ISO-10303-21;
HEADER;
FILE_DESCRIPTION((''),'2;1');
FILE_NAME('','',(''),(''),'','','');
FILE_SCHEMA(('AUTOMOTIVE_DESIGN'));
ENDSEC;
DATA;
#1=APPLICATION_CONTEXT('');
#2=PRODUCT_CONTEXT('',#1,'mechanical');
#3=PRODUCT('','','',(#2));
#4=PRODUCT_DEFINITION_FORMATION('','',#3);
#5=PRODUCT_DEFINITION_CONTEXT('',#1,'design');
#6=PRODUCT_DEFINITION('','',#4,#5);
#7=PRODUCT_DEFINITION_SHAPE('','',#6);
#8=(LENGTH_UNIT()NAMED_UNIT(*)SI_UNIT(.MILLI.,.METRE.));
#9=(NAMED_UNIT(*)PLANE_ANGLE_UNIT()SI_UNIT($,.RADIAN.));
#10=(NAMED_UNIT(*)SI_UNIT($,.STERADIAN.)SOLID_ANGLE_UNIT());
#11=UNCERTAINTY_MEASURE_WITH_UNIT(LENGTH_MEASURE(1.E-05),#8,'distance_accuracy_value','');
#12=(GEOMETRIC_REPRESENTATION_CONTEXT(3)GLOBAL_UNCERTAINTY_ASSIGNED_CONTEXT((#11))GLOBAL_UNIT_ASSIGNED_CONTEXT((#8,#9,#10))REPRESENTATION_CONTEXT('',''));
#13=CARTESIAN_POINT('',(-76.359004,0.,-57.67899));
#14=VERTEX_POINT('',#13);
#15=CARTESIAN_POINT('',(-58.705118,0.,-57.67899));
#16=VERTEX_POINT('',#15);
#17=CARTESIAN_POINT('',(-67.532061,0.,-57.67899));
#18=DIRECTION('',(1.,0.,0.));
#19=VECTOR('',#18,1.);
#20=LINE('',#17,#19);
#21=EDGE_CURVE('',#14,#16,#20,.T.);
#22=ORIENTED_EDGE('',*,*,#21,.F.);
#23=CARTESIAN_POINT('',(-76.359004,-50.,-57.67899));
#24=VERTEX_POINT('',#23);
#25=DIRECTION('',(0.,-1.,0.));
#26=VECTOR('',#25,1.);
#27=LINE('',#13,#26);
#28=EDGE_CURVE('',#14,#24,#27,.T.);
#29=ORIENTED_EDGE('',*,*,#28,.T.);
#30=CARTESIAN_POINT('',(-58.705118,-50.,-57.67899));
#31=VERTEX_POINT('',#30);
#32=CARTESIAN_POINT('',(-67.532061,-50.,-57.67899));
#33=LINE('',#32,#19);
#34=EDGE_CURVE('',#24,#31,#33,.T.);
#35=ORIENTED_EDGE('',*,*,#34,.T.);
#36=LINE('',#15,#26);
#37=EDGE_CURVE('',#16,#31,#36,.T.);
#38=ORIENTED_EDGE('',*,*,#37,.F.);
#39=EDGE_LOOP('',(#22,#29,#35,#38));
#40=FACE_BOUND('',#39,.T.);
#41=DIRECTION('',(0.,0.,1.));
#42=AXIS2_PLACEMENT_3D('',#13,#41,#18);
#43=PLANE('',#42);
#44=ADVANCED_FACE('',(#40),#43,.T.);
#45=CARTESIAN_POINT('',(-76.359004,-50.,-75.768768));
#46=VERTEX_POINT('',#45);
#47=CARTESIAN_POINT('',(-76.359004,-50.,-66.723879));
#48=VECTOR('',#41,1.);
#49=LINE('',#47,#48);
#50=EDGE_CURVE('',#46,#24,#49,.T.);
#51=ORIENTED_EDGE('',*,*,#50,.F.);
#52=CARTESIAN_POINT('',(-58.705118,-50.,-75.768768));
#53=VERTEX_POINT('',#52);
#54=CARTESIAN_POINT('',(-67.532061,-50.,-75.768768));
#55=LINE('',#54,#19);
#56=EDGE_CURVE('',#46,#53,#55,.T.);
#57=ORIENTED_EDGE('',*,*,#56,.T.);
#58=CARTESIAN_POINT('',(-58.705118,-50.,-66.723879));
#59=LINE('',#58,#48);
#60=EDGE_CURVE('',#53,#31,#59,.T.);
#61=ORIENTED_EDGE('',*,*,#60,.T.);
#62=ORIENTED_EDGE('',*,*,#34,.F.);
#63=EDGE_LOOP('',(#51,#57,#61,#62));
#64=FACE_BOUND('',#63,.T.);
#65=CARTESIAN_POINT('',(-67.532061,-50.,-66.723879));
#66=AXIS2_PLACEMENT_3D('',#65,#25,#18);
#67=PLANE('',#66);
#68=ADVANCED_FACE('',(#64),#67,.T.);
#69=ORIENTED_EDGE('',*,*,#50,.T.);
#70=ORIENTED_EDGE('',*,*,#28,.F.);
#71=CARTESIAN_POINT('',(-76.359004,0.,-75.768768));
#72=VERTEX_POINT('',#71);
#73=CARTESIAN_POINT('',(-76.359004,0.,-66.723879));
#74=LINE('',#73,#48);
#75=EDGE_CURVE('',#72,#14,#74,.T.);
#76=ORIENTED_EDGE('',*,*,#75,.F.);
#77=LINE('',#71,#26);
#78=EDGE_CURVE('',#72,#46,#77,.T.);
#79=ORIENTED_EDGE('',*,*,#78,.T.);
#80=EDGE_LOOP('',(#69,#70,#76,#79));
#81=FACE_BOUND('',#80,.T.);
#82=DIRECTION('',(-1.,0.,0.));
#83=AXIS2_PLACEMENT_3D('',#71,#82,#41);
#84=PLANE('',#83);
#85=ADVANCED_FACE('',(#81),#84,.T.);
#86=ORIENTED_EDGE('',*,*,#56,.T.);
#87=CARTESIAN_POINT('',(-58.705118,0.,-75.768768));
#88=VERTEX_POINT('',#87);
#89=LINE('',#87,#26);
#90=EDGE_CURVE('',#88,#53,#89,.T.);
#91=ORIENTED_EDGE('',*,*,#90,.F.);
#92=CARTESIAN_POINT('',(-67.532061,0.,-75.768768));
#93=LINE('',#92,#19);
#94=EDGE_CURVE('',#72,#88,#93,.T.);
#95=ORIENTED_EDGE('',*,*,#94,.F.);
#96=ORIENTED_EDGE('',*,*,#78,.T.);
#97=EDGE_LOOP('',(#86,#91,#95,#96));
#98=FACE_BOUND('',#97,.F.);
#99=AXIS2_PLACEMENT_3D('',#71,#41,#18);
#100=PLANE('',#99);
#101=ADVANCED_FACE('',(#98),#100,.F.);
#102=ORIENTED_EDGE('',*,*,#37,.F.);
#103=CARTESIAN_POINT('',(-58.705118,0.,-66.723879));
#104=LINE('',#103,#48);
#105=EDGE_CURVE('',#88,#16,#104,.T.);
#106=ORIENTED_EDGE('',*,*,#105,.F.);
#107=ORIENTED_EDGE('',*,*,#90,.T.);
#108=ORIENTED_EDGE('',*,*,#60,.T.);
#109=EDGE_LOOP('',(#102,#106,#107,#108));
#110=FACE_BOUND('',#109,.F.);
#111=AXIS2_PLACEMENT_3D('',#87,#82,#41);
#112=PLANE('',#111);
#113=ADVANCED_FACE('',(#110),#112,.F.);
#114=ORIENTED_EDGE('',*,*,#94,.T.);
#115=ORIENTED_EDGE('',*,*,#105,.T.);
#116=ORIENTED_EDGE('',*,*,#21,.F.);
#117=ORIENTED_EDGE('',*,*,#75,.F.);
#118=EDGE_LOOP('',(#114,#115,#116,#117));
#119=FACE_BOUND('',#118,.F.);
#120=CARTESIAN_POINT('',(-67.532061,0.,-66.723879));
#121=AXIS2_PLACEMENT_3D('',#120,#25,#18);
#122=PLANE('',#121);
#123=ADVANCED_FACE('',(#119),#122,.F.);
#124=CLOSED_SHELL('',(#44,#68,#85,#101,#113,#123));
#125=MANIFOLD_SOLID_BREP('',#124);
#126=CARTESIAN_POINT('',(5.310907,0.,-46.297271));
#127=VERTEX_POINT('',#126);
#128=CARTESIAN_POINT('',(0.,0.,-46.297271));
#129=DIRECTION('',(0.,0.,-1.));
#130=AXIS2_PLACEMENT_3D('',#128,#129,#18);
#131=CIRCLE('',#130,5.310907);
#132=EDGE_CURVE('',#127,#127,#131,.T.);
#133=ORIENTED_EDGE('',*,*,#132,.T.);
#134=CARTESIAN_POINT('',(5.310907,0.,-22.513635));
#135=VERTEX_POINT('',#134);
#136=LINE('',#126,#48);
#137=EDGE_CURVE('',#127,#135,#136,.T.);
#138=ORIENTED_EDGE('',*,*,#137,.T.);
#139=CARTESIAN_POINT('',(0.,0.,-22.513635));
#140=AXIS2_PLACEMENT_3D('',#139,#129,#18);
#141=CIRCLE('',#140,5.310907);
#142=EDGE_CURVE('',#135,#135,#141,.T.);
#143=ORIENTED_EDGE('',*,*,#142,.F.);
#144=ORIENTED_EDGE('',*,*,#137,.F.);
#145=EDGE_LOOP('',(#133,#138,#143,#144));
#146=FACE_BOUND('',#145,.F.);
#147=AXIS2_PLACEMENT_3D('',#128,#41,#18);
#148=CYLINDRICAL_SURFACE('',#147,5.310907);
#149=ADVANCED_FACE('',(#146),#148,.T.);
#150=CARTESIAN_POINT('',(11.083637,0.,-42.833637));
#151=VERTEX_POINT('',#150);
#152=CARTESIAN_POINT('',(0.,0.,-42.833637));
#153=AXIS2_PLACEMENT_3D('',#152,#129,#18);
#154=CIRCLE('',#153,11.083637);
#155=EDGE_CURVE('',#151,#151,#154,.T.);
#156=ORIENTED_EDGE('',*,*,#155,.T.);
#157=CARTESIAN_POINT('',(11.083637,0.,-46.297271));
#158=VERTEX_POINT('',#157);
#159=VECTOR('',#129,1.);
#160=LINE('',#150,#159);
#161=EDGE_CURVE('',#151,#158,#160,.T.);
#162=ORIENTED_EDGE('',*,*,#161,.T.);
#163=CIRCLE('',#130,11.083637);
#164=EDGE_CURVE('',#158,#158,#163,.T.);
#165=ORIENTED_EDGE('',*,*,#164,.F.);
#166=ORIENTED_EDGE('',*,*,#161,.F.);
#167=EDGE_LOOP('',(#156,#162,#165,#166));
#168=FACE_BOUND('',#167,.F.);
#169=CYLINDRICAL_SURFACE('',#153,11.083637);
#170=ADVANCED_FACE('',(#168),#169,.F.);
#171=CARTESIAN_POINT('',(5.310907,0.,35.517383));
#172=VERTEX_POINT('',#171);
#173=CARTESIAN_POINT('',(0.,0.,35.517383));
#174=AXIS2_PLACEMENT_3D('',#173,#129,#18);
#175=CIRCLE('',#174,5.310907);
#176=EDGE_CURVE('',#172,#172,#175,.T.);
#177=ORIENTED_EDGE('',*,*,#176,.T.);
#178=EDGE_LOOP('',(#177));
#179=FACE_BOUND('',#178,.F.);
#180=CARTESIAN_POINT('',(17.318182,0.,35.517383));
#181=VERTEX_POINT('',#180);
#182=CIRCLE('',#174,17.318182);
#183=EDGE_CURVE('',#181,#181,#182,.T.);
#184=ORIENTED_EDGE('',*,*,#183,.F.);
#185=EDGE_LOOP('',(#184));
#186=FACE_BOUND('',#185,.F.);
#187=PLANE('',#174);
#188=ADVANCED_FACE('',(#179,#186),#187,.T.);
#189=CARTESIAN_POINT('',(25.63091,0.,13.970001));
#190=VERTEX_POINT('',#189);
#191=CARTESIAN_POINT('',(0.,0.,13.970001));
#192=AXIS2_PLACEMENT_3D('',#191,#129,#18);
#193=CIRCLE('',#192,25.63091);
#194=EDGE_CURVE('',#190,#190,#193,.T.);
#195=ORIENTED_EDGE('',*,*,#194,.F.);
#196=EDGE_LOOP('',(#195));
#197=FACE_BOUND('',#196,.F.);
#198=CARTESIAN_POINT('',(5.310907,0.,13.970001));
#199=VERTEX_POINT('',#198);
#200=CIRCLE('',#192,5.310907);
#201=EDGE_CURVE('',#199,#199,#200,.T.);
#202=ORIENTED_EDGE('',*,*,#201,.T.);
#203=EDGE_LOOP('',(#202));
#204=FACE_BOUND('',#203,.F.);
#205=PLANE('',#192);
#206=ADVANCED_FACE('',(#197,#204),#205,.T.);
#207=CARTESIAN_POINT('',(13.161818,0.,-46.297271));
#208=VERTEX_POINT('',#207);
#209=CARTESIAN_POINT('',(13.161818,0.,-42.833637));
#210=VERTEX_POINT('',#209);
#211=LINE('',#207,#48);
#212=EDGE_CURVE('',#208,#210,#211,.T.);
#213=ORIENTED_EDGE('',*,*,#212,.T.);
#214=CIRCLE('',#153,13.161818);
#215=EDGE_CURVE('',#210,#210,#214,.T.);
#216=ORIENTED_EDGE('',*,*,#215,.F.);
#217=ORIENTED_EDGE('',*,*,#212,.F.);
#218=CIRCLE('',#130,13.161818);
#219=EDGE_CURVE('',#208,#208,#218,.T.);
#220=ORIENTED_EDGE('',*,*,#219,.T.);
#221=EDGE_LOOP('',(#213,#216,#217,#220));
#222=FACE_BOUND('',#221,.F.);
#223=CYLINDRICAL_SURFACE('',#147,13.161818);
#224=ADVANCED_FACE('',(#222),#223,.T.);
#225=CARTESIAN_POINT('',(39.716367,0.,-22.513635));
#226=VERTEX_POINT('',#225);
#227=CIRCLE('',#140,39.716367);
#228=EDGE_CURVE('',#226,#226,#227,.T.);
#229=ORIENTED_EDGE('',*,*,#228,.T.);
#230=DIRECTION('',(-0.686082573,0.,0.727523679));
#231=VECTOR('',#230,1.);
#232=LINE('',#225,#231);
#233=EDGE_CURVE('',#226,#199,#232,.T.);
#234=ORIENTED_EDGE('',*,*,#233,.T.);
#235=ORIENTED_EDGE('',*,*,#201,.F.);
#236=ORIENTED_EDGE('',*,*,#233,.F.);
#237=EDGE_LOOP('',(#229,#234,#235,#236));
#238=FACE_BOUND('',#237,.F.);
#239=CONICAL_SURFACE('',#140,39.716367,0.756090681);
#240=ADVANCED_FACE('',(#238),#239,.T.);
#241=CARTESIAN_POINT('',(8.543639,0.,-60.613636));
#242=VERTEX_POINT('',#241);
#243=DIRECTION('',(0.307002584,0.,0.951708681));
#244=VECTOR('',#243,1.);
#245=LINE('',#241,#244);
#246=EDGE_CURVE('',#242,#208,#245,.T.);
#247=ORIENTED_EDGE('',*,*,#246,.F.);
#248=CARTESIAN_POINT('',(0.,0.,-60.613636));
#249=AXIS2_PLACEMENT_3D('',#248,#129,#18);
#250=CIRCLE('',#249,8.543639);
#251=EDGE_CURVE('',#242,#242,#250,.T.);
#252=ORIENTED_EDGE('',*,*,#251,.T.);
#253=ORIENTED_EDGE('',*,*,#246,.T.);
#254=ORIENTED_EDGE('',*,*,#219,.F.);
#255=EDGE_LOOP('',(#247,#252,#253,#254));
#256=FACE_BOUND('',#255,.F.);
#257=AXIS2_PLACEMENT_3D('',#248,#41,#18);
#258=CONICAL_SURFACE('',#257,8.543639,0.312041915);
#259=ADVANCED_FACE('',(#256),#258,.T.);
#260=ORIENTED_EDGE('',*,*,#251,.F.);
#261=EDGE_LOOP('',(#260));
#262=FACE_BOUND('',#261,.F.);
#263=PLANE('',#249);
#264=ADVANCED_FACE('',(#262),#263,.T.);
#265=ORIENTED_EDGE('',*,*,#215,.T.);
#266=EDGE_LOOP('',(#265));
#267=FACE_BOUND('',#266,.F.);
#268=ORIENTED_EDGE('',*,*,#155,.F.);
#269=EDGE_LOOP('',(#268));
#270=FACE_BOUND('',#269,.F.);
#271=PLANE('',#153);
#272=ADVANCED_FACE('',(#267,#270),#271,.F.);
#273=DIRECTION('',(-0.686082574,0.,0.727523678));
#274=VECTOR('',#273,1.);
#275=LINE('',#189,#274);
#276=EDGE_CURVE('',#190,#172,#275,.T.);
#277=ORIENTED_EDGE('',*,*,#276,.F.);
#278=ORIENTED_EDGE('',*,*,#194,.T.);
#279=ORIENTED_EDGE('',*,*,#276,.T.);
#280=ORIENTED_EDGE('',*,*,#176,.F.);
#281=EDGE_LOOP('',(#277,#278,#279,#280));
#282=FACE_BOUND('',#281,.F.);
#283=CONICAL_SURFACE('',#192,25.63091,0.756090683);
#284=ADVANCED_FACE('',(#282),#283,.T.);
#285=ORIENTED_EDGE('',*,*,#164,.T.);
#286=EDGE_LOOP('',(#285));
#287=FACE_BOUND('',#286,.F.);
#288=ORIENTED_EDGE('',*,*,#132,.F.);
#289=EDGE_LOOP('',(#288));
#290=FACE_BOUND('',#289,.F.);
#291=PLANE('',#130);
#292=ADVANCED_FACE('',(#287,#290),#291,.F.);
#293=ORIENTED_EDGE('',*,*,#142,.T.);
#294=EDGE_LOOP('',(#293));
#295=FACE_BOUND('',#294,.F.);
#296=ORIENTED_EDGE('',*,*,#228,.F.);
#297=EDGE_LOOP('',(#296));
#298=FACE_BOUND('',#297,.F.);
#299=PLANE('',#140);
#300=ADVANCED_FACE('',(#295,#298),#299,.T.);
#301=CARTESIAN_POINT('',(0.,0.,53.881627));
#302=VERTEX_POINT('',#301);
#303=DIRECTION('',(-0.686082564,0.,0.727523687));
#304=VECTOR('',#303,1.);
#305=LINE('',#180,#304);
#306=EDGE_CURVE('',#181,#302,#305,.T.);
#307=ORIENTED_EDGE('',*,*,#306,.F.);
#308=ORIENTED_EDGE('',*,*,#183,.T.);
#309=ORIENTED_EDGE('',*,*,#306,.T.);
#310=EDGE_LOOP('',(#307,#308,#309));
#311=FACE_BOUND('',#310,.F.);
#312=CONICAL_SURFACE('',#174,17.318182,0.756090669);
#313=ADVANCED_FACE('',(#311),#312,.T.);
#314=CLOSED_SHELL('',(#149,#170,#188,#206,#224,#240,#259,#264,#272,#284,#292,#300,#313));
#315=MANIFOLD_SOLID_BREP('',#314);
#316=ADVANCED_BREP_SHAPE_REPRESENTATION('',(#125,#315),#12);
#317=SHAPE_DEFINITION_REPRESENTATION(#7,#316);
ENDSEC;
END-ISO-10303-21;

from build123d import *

# Parameters (mm, degrees)
F2_W     = 17.653886
F2_H     = 18.089779
F3_DEPTH = 50


with BuildPart() as f1:
    # F0 (on Front) → F1 (revolve)
    with BuildSketch(Plane.XZ):
        Polygon((0, 53.881627), (0, 19.742727), (0, -60.613636), (8.543639, -60.613636), (13.161818, -46.297271), (13.161818, -42.833637), (11.083637, -42.833637), (11.083637, -46.297271), (5.310907, -46.297271), (5.310907, -30.826364), (5.310907, -22.513635), (39.716367, -22.513635), (5.310907, 13.970001), (25.63091, 13.970001), (5.310907, 35.517383), (17.318182, 35.517383), align=None)
    revolve(axis=Axis((0, 0, -20.435454), (0, 0, -1)))


with BuildPart() as f3:
    # F2 (on Front) → F3 (new body)
    with BuildSketch(Plane.XZ):
        with Locations((-67.532061, -66.723879)):
            Rectangle(F2_W, F2_H)
    extrude(amount=F3_DEPTH)


solid = Compound([f1.part, f3.part])
